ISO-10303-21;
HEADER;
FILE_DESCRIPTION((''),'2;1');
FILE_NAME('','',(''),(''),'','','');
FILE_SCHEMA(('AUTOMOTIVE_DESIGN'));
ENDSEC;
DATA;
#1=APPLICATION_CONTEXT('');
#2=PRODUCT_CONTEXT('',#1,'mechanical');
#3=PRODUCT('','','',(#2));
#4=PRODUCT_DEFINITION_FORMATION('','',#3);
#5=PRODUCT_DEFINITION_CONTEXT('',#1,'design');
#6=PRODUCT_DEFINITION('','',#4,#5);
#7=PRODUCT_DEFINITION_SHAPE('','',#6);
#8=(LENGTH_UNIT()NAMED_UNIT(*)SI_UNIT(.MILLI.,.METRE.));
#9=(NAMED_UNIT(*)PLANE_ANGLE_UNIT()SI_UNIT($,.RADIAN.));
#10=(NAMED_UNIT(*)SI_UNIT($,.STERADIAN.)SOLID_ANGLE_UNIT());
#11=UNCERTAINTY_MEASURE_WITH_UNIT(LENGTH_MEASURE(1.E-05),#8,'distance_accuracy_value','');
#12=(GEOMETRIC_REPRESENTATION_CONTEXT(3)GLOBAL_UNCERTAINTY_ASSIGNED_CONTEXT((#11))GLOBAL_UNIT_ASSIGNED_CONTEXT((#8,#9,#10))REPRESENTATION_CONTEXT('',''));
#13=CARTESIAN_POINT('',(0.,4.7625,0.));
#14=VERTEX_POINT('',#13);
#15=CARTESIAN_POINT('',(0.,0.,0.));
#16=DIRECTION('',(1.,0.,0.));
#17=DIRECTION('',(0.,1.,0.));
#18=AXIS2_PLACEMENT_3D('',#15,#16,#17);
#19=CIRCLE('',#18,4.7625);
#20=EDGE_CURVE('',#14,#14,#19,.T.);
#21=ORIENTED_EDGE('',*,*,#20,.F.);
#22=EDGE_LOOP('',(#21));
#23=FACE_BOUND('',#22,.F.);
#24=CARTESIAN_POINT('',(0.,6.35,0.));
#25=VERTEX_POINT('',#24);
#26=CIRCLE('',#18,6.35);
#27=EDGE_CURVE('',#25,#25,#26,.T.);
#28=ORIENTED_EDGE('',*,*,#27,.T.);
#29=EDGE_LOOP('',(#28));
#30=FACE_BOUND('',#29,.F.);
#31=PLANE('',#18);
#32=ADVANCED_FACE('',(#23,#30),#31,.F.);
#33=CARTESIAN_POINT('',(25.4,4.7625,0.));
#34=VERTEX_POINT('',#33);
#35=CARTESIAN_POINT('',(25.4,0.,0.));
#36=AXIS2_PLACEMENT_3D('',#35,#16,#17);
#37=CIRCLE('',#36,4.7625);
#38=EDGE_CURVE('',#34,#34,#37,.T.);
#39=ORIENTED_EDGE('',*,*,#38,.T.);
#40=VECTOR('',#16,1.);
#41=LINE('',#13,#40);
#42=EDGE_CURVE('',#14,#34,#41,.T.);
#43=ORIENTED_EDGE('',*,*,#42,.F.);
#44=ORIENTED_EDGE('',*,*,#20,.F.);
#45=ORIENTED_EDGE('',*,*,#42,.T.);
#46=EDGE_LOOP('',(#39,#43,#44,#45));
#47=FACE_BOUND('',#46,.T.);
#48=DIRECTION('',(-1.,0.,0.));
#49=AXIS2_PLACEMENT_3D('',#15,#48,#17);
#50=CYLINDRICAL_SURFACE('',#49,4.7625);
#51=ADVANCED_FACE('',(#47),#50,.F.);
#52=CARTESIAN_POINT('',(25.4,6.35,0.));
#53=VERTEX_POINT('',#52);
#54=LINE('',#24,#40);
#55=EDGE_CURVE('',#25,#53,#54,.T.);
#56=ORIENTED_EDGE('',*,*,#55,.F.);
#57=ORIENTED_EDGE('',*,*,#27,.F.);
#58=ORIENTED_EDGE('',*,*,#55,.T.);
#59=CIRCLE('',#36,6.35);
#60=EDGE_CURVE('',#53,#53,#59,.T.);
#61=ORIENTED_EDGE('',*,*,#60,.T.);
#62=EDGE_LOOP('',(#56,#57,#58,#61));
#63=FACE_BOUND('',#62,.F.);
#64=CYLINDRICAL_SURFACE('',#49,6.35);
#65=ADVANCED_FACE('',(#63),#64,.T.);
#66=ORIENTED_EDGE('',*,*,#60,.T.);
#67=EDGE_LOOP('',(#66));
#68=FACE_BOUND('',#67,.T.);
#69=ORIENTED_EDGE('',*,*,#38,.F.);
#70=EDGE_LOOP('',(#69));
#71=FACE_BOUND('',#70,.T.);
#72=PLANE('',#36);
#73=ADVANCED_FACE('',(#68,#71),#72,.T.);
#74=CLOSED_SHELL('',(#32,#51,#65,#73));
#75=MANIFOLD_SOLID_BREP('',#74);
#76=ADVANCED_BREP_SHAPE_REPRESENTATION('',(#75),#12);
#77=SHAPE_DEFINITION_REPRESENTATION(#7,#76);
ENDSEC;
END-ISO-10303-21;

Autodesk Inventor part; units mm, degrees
ref_plane "YZ Plane" through (0, 0, 0) normal (1, 0, 0) x (0, 1, 0)
ref_plane "XZ Plane" through (0, 0, 0) normal (0, 1, 0) x (-1, 0, 0)
ref_plane "XY Plane" through (0, 0, 0) normal (0, 0, 1) x (1, 0, 0)
sketch "Sketch1" plane through (0, 0, 0) normal (1, 0, 0) x (0, 1, 0)
  circle A0 centre (0, 0) radius 4.7625
  circle A1 centre (0, 0) radius 6.35
  dimension "d0" = 9.525
  dimension "d1" = 12.7
extrude "Extrusion1" add sketch "Sketch1" along normal blind 25.4
properties part number "bushing" material "Brass, Soft Yellow"
